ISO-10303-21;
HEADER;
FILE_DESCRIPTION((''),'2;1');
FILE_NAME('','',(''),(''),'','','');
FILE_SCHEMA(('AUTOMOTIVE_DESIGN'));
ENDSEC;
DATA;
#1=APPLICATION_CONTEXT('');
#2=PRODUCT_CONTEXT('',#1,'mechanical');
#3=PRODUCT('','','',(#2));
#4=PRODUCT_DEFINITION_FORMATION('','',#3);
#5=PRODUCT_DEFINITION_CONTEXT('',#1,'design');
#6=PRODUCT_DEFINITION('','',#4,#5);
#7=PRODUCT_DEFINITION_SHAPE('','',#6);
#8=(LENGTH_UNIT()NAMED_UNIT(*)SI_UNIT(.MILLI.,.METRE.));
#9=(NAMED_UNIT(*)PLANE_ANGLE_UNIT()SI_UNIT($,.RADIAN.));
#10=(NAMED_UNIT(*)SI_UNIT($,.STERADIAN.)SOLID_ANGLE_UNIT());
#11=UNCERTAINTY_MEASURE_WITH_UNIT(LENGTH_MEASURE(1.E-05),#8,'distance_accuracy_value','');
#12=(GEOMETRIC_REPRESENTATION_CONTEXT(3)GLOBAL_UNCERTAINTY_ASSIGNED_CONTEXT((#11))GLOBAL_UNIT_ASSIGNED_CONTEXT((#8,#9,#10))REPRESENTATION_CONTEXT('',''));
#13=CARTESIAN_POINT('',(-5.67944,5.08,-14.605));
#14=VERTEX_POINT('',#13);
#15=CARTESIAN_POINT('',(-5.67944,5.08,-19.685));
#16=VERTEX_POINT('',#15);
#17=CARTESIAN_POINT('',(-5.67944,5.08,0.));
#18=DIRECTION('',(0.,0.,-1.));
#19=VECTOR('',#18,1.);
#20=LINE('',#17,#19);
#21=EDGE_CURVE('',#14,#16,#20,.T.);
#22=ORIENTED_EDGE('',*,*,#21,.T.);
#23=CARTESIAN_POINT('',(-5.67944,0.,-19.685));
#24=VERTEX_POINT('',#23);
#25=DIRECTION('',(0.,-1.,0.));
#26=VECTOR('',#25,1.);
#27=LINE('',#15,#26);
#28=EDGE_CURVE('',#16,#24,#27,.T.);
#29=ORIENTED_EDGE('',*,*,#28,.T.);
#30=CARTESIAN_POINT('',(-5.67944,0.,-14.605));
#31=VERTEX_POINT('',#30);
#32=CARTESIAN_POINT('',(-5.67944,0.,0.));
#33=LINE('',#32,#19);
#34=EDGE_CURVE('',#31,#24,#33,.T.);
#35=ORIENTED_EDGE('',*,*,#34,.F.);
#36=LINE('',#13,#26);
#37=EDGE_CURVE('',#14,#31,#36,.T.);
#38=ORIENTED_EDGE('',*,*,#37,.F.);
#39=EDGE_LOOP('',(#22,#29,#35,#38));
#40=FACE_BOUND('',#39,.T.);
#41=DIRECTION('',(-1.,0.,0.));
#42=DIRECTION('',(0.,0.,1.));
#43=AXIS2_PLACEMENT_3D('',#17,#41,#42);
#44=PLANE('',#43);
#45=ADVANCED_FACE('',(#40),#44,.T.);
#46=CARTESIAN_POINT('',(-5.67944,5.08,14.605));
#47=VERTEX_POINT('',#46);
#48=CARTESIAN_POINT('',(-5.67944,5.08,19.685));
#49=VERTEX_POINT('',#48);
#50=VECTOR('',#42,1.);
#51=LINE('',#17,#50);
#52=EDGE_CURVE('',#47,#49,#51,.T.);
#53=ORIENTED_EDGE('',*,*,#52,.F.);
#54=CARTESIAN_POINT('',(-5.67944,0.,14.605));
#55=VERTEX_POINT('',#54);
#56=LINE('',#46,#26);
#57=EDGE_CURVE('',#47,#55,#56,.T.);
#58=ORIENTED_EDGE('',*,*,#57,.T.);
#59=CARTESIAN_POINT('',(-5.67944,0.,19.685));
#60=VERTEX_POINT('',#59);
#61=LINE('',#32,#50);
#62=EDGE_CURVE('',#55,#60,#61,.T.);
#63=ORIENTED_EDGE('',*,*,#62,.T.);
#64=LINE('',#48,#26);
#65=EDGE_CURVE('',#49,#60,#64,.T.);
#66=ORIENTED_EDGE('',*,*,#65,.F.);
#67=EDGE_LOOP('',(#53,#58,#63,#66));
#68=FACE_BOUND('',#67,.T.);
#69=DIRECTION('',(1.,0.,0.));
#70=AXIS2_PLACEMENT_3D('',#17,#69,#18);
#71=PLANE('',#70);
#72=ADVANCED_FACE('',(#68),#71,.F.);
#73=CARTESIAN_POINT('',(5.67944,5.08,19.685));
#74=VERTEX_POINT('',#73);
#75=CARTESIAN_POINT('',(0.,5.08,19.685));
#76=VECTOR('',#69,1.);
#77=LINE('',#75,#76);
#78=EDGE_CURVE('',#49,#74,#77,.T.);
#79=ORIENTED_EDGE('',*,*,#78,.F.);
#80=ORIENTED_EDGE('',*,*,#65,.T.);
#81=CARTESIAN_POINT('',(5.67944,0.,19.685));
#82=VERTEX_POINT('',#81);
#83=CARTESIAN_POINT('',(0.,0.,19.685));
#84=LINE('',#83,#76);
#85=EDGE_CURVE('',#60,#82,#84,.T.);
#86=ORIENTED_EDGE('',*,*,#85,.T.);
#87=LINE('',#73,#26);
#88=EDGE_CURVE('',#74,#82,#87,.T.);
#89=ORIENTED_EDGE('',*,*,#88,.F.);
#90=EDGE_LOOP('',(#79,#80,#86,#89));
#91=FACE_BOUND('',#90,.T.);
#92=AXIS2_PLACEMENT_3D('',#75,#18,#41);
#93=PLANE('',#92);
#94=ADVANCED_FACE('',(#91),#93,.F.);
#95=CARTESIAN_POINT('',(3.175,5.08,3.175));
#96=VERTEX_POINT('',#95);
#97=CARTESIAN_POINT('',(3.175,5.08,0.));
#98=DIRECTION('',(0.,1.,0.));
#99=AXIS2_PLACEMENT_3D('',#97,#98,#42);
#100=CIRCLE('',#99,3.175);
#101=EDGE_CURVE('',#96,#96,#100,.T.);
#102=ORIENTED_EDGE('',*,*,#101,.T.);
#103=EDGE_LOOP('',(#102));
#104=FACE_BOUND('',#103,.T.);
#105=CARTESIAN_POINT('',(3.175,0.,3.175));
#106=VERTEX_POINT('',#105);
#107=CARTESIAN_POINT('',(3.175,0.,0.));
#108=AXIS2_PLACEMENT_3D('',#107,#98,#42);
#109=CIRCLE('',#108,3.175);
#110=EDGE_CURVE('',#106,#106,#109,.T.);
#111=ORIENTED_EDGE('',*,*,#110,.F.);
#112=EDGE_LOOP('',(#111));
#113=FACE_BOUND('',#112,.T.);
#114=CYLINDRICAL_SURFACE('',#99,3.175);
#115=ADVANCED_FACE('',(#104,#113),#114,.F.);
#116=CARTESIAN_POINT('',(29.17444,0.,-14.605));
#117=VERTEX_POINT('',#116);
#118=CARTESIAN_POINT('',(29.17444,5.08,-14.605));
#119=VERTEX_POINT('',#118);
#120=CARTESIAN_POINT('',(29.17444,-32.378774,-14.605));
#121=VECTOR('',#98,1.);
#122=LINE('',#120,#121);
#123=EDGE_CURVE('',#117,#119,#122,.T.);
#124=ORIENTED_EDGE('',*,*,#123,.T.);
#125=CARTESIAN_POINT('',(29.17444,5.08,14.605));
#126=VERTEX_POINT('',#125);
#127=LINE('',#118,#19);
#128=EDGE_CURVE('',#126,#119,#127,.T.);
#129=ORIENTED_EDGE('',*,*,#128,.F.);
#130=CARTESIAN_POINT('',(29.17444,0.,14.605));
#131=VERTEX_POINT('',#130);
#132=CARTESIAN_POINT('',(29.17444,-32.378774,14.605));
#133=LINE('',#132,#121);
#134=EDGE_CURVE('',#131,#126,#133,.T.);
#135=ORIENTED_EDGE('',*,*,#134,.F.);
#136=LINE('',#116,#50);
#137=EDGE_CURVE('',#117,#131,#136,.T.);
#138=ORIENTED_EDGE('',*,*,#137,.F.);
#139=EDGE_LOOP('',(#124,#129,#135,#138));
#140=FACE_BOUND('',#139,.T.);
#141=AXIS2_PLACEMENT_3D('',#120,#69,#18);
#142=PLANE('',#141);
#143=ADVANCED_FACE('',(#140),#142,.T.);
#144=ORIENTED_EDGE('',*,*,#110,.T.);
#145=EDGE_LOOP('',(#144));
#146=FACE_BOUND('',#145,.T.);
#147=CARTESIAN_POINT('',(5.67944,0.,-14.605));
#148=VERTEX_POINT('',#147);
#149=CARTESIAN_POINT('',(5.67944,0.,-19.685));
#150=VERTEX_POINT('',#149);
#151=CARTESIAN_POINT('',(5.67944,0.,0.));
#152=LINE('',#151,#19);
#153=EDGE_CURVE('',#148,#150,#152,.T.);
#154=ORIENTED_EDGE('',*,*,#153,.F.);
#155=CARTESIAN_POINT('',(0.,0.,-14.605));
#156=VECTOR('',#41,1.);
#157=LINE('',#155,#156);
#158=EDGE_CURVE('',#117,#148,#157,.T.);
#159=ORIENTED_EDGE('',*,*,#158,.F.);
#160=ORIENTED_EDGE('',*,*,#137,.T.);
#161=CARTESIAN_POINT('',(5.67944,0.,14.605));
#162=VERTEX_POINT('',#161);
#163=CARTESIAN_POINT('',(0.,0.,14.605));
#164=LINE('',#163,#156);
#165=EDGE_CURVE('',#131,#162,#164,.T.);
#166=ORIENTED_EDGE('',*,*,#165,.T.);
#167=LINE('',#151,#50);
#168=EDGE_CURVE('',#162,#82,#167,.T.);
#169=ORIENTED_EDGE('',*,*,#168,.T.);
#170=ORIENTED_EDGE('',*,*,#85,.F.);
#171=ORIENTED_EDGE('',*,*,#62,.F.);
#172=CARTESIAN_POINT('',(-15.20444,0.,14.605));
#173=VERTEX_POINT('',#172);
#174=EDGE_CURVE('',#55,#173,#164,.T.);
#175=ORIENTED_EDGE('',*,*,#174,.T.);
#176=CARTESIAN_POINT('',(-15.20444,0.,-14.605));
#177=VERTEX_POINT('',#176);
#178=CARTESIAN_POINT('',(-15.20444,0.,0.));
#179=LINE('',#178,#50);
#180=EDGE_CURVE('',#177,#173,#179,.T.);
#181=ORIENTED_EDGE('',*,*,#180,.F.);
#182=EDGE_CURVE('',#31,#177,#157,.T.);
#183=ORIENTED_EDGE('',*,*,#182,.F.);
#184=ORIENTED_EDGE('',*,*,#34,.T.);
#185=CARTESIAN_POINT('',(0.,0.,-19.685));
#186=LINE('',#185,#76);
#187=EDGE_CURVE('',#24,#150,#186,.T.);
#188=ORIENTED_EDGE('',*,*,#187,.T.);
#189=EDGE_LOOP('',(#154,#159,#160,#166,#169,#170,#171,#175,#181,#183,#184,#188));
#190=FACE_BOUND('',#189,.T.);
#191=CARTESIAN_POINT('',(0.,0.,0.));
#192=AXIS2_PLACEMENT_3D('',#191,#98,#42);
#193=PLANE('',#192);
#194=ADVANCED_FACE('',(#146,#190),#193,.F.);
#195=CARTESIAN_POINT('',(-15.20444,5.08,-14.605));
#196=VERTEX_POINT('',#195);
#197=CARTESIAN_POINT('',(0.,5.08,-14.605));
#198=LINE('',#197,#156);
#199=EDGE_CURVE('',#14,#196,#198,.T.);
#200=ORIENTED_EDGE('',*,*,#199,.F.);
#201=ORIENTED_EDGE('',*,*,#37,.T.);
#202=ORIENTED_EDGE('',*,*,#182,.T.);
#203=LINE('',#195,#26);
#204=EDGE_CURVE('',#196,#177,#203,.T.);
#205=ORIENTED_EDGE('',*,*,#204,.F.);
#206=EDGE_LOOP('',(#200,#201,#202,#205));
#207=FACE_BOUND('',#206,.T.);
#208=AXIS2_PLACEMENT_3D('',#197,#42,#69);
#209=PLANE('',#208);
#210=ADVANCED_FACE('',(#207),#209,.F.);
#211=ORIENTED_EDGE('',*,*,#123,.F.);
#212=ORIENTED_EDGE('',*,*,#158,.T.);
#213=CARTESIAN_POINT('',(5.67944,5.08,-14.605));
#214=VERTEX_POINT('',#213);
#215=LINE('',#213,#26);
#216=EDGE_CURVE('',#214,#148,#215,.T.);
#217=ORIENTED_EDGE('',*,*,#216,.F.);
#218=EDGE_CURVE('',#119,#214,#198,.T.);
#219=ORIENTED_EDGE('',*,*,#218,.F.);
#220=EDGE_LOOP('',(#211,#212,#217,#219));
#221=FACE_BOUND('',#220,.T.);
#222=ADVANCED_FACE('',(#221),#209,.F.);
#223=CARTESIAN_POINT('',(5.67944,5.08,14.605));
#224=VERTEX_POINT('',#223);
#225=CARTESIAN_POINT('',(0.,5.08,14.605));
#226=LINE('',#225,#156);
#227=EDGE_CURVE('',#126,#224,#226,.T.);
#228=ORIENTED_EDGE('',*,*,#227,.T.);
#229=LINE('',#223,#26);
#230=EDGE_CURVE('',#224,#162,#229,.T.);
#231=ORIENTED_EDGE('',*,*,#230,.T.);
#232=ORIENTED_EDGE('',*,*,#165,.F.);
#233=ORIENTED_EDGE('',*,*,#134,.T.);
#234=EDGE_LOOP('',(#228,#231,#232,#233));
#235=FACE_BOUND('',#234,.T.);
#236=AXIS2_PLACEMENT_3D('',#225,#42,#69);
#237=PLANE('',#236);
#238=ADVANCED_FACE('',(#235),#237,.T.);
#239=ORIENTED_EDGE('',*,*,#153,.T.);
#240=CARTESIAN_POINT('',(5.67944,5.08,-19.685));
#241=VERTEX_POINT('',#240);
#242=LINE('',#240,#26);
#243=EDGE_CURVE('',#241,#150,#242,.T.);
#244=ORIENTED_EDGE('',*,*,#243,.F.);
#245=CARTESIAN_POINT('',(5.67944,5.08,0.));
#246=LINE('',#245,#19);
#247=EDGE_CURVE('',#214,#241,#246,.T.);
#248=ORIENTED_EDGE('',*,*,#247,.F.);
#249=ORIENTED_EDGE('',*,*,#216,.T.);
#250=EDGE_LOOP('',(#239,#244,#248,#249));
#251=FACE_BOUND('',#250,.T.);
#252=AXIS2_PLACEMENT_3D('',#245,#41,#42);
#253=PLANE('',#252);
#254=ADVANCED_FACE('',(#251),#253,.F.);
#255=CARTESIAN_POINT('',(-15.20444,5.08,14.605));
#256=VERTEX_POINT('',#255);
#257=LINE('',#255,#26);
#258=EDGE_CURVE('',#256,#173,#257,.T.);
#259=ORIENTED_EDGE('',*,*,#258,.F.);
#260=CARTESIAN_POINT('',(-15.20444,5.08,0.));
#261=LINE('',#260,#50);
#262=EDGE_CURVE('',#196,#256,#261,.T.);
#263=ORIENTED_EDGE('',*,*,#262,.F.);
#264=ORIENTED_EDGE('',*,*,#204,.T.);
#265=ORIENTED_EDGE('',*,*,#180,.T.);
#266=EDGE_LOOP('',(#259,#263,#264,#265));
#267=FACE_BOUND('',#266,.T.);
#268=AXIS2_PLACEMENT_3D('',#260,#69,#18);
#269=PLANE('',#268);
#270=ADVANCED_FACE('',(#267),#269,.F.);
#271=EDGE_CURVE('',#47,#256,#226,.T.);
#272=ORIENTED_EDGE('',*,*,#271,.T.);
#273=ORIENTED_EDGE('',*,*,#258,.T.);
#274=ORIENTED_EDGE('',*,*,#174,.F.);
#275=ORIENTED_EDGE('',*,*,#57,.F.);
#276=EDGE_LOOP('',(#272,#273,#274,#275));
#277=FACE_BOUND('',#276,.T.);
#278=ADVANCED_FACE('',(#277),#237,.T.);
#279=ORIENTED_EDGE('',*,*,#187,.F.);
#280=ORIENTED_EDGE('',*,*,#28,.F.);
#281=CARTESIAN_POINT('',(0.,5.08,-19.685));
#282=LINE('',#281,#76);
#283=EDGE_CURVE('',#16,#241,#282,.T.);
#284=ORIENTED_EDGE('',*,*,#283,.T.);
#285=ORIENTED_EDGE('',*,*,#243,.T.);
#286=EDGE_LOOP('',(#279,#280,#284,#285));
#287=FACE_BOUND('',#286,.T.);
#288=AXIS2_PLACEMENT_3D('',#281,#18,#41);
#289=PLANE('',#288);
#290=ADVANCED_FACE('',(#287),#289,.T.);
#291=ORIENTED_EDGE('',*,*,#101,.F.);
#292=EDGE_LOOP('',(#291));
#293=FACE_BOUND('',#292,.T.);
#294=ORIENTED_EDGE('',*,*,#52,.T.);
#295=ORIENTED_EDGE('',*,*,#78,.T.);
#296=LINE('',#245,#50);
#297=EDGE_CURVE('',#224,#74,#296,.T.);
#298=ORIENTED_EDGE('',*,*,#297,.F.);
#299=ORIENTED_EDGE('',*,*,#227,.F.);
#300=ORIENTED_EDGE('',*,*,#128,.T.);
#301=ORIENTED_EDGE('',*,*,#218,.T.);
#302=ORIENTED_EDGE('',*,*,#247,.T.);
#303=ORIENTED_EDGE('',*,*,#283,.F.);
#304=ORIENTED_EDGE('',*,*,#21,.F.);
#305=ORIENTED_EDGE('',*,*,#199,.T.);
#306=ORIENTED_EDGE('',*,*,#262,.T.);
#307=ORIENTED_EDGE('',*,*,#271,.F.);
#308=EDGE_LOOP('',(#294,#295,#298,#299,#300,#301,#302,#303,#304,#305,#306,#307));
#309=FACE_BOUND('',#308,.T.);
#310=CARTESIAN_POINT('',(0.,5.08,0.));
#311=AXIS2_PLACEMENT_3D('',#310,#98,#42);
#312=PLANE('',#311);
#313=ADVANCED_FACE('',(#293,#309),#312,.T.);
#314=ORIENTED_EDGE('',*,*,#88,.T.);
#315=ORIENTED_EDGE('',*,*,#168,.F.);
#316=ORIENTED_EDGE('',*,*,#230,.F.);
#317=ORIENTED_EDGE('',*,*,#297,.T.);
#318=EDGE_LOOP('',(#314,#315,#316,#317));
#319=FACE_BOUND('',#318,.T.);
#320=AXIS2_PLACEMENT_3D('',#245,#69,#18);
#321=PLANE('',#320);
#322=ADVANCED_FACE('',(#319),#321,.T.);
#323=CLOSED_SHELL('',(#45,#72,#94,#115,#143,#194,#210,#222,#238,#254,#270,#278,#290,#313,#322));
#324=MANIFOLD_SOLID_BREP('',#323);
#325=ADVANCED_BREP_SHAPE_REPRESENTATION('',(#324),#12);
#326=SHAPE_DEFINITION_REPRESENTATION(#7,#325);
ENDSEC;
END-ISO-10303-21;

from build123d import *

# Parameters (mm, degrees)
SKETCH1_W                   = 30.408879848
SKETCH1_H                   = 29.21
SKETCH1_W_2                 = 11.358879848
SKETCH1_H_2                 = 5.08
BOSS_EXTRUDE1_DEPTH         = 5.08
F_1_4_0_25_DIAMETER_HOLE1_D = 6.35
SKETCH5_W                   = 13.97
SKETCH5_H                   = 29.21
BOSS_EXTRUDE2_DEPTH         = 5.08


with BuildPart() as part:
    # Sketch1 → Boss-Extrude1 (new body)
    with BuildSketch(Plane(origin=(0, 0, 0), x_dir=(1, 0, 0), z_dir=(0, 1, 0))):
        Rectangle(SKETCH1_W, SKETCH1_H)
        with Locations((0, 17.145)):
            Rectangle(SKETCH1_W_2, SKETCH1_H_2)
        with Locations((0, -17.145)):
            Rectangle(SKETCH1_W_2, SKETCH1_H_2)
    extrude(amount=BOSS_EXTRUDE1_DEPTH)

    # 1/4 (0.25) Diameter Hole1 (through all)
    with Locations(Plane(origin=(0, 5.08, 0), x_dir=(1, 0, 0), z_dir=(0, 1, 0))):
        with Locations((3.175, 0)):
            Hole(F_1_4_0_25_DIAMETER_HOLE1_D / 2)

    # Sketch5 → Boss-Extrude2 (add)
    with BuildSketch(Plane(origin=(0, 5.08, 0), x_dir=(1, 0, 0), z_dir=(0, 1, 0))):
        with Locations((22.189439924, 0)):
            Rectangle(SKETCH5_W, SKETCH5_H)
    extrude(amount=-BOSS_EXTRUDE2_DEPTH)


solid = part.part
